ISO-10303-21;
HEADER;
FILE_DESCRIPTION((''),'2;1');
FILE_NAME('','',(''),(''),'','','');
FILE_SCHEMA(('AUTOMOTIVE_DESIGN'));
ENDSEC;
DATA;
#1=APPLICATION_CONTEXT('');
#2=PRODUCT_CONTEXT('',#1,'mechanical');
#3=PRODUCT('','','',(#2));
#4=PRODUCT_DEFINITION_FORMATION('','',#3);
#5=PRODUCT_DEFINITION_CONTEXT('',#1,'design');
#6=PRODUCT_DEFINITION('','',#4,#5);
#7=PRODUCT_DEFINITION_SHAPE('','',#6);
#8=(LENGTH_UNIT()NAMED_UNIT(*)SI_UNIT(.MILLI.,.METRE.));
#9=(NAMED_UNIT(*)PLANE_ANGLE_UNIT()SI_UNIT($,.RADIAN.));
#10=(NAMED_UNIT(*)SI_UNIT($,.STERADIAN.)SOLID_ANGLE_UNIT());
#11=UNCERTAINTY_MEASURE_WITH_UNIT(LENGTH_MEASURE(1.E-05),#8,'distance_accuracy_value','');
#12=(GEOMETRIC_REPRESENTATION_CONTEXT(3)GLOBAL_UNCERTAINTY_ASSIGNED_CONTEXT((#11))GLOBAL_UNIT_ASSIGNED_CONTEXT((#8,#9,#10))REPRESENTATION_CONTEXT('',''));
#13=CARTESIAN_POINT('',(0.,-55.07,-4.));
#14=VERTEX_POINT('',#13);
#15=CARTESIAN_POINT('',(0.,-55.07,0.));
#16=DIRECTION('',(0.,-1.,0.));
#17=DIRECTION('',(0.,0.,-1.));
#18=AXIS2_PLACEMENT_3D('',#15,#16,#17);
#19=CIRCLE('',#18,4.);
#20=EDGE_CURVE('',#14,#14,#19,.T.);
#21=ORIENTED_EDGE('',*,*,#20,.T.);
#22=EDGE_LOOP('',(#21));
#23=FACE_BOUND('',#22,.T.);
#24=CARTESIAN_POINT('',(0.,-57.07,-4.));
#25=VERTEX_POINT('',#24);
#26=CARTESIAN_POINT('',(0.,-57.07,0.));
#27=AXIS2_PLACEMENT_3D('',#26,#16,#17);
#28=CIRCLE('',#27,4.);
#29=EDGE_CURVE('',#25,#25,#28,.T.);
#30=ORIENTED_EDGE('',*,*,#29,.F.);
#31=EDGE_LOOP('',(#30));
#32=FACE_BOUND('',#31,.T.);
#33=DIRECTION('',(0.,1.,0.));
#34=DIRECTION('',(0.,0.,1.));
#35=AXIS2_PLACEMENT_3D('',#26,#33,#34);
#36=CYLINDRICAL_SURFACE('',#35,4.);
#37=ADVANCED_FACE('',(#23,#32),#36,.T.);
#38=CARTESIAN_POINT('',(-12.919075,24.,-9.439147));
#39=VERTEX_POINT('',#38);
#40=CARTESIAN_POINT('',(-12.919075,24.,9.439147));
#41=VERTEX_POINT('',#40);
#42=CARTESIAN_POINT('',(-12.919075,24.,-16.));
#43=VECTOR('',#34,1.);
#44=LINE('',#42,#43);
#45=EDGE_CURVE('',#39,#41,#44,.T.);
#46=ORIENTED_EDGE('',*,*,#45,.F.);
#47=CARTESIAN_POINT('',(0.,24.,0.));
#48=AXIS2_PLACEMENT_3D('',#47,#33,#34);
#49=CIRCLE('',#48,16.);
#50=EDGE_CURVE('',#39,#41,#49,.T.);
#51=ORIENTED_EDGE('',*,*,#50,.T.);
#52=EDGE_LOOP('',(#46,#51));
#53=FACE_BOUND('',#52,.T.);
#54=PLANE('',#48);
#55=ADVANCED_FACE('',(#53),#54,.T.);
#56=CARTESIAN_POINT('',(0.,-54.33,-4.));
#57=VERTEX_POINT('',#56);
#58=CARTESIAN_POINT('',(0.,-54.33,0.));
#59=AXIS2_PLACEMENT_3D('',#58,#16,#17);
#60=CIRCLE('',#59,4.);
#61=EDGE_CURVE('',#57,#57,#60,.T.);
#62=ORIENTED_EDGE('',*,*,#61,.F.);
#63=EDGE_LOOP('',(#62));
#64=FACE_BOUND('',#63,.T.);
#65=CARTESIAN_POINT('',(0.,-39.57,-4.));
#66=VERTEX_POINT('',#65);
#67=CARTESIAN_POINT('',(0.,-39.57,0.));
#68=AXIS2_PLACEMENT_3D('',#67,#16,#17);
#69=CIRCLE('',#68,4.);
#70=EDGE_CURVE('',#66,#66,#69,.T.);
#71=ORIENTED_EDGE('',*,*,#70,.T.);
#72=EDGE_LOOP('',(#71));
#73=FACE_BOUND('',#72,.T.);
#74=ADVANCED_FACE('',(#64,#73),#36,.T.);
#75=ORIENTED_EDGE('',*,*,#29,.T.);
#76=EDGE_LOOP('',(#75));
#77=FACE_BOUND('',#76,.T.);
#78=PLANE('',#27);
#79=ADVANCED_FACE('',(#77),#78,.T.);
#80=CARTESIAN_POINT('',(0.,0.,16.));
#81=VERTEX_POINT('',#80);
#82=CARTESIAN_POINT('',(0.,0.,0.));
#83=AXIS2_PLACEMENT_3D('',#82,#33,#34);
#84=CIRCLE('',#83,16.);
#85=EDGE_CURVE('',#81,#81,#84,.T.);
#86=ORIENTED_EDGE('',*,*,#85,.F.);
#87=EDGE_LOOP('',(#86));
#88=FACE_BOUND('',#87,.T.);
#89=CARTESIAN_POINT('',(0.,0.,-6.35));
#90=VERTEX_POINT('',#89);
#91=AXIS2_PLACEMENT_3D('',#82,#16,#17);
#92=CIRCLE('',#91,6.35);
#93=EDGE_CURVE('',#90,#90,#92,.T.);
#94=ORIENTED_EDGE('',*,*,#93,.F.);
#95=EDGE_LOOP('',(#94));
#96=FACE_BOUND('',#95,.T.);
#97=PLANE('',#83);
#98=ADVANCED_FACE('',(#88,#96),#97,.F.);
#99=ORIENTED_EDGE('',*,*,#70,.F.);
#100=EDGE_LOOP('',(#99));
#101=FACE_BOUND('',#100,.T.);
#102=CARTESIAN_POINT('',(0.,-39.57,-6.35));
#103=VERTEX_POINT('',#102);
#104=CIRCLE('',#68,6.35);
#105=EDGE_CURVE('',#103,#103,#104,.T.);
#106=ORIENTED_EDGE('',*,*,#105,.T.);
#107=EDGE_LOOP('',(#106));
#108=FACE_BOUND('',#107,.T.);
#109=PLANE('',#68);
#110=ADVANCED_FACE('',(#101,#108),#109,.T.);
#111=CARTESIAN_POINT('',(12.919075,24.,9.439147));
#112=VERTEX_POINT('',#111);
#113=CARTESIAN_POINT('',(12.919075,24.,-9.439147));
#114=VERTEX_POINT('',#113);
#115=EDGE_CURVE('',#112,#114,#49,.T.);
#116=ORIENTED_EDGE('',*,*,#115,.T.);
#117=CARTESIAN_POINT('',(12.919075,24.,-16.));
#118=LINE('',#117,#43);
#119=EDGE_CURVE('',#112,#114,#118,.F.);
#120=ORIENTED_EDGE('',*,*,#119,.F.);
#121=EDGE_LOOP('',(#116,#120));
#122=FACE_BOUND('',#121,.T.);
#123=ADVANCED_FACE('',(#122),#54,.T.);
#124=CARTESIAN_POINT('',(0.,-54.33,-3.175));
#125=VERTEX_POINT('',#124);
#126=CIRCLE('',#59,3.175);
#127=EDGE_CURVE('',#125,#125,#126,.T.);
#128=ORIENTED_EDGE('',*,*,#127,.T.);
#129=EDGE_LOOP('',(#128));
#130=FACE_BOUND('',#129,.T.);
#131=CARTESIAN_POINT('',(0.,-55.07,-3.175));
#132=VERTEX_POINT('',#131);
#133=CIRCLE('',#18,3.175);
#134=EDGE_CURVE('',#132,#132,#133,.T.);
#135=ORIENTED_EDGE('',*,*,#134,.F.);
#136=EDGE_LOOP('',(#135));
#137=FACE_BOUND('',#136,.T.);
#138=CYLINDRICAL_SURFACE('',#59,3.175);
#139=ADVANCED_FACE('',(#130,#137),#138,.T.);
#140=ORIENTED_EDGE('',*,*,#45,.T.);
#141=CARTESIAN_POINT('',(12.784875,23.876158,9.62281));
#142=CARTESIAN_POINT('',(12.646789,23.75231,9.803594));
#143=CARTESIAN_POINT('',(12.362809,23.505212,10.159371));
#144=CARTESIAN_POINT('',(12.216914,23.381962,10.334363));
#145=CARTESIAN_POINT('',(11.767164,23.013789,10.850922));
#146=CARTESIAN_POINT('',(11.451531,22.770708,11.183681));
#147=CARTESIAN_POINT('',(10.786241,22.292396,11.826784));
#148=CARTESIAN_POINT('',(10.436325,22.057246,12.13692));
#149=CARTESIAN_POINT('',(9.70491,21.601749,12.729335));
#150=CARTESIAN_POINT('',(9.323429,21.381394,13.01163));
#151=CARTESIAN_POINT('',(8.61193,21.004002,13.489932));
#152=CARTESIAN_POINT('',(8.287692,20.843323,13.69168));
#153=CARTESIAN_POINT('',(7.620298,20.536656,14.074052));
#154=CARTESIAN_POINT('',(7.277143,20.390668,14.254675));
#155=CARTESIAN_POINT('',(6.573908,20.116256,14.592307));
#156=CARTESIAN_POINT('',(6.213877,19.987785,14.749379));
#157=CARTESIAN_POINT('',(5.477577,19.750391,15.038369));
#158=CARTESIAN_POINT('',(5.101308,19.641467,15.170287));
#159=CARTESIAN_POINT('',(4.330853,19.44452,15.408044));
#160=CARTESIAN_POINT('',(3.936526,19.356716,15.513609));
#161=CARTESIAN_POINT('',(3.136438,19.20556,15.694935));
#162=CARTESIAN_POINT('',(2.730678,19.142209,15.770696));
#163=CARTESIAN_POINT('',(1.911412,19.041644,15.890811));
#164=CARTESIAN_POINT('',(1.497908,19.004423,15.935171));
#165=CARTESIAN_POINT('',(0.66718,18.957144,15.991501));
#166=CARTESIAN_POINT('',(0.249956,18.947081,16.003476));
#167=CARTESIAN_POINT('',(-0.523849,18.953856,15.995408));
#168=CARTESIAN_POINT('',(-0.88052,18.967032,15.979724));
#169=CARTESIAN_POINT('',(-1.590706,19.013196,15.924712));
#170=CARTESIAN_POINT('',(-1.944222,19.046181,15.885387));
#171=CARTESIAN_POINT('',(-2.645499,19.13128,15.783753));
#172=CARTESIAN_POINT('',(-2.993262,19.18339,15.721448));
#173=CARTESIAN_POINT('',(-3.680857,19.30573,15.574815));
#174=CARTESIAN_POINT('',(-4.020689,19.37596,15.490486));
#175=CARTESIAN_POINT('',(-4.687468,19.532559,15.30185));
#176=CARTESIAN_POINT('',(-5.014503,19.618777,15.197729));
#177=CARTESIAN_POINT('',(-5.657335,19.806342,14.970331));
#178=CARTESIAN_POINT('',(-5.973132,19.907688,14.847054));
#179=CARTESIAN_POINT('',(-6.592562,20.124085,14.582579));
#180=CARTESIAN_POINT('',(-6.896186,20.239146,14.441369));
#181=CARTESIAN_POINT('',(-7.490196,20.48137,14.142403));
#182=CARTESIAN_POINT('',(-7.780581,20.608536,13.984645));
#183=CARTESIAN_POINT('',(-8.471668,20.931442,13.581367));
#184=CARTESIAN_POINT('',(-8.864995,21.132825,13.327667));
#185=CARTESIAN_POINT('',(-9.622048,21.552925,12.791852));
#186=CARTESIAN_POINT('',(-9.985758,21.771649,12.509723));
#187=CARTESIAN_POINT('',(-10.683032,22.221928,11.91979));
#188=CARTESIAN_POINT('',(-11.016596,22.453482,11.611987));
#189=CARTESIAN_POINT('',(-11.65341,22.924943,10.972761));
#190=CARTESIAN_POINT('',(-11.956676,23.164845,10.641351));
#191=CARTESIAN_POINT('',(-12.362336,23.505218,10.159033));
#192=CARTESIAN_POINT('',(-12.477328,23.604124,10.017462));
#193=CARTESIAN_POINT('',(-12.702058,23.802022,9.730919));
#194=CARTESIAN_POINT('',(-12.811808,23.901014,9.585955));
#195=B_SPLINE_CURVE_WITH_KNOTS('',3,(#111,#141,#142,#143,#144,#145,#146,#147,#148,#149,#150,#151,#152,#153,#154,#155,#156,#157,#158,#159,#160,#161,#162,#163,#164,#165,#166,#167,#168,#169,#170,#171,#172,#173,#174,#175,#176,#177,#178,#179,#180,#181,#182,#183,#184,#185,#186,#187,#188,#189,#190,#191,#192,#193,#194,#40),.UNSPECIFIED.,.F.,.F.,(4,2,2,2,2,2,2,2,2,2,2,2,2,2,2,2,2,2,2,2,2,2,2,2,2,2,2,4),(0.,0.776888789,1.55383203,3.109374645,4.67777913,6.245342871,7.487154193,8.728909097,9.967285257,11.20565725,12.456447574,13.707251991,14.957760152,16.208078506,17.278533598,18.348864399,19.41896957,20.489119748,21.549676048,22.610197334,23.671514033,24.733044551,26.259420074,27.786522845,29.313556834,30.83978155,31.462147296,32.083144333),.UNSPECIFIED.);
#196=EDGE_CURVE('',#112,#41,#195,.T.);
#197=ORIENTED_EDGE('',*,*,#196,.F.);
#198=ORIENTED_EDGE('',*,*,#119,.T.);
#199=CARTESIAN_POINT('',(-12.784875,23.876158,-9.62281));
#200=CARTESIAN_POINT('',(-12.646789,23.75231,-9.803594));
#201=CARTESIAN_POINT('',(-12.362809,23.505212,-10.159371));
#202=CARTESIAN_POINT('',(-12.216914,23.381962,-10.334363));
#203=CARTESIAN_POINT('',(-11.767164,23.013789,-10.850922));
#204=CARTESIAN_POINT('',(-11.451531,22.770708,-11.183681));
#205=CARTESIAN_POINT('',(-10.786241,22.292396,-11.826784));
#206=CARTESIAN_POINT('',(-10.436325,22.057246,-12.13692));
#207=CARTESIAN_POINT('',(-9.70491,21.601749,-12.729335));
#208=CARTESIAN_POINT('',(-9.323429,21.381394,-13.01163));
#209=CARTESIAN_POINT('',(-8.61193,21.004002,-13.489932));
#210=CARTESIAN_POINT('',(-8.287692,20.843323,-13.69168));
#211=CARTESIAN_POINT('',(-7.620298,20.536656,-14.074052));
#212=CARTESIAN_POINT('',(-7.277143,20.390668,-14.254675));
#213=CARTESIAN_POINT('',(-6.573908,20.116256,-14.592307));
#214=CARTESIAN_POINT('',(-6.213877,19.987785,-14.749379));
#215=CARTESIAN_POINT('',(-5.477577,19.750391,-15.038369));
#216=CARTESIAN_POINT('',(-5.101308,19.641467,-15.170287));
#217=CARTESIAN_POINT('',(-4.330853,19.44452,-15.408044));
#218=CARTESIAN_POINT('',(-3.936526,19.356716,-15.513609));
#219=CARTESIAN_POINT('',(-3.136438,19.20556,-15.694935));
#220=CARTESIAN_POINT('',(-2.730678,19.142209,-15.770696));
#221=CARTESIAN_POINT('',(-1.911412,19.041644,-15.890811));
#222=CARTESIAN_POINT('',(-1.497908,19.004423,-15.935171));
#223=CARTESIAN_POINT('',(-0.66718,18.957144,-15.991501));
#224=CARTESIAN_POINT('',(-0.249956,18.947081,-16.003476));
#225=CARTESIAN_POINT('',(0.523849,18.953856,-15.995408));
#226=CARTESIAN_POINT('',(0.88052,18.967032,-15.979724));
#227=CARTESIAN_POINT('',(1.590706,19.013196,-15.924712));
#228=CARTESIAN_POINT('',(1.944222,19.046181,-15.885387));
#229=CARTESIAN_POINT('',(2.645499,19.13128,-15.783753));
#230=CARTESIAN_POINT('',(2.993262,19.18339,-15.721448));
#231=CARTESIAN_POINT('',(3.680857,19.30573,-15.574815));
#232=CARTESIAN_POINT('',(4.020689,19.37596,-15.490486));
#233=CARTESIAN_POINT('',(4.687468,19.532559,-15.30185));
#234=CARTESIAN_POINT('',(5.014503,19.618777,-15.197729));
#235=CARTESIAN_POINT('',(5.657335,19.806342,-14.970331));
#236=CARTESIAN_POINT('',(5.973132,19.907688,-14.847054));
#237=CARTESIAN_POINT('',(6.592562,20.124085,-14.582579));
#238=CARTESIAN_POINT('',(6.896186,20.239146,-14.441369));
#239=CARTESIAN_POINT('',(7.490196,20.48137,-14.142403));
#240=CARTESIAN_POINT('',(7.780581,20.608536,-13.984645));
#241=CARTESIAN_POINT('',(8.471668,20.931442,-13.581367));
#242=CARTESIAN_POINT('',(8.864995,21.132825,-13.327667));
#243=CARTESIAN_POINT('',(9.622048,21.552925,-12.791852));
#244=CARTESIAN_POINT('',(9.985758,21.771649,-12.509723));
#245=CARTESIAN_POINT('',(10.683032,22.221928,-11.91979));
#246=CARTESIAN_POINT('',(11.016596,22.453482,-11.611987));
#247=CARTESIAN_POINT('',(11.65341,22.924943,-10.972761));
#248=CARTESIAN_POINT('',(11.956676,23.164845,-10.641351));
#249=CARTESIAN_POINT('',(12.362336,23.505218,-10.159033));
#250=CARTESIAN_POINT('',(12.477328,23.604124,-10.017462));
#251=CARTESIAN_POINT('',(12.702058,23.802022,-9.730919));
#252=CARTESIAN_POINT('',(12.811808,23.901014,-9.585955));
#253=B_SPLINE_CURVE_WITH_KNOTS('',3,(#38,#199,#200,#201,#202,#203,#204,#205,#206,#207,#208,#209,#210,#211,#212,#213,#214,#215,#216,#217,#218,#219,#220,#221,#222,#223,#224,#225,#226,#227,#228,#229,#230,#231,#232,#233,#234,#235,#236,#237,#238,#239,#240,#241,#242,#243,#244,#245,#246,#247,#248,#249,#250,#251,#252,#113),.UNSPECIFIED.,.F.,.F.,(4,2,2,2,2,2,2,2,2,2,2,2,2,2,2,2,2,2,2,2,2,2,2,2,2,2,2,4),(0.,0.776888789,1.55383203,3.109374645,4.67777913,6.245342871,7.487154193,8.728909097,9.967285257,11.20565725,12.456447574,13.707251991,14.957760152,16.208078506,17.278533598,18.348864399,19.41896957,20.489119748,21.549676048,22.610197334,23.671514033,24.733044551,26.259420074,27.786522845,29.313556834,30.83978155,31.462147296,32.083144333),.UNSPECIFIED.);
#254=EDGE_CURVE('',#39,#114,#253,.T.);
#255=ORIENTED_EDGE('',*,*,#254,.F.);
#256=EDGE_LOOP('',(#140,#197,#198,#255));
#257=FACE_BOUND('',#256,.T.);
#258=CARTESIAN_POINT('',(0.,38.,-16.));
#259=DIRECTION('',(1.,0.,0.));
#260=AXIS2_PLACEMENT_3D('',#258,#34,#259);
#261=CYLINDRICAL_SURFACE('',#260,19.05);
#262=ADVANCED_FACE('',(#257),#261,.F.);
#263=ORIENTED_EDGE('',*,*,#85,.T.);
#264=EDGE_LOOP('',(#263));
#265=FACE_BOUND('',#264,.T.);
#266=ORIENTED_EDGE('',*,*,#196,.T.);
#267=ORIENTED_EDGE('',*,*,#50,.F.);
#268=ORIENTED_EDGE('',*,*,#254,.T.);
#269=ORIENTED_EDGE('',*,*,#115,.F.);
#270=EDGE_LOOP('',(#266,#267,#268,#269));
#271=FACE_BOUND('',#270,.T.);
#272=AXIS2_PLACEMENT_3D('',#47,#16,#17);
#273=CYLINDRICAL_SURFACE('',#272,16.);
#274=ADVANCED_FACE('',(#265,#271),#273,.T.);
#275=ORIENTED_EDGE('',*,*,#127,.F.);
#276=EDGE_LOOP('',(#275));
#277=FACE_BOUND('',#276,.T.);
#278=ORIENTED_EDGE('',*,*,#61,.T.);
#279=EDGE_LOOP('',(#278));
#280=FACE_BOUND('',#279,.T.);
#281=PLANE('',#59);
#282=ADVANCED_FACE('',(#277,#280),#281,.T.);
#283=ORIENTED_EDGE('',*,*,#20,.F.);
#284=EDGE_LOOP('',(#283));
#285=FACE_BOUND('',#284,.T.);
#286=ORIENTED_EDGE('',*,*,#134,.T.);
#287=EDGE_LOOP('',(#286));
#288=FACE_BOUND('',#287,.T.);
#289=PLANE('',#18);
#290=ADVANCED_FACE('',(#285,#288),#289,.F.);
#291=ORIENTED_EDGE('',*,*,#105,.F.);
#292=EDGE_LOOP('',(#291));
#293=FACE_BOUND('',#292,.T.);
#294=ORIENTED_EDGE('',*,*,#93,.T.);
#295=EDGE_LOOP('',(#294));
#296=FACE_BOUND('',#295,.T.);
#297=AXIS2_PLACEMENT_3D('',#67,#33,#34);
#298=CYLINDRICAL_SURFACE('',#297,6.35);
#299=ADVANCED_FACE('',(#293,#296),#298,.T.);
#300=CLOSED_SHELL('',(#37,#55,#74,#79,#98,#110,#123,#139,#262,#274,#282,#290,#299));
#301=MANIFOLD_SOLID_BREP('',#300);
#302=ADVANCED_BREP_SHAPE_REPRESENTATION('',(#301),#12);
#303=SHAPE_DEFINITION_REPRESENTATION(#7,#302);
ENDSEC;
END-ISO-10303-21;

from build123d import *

# Parameters (mm, degrees)
SKETCH1_R               = 16
BOSS_EXTRUDE1_DEPTH     = 24
SKETCH2_R               = 6.35
BOSS_EXTRUDE2_DEPTH     = 39.57
SKETCH3_R               = 4
BOSS_EXTRUDE3_DEPTH     = 17.5
CUT_EXTRUDE1_DEPTH      = 62.392058933
CUT_EXTRUDE1_DEPTH_BACK = 62.392058933
SKETCH4_R               = 19.05
CUT_EXTRUDE2_START      = -2
SKETCH5_R               = 4.571040919
SKETCH5_R_2             = 3.175
CUT_EXTRUDE2_DEPTH      = 0.74


with BuildPart() as part:
    # Sketch1 → Boss-Extrude1 (new body)
    with BuildSketch(Plane(origin=(0, 0, 0), x_dir=(1, 0, 0), z_dir=(0, 1, 0))):
        with Locations(Location((0, 0, 0), (0, 0, 270))):
            Circle(SKETCH1_R)
    extrude(amount=BOSS_EXTRUDE1_DEPTH)

    # Sketch2 → Boss-Extrude2 (add)
    with BuildSketch(Plane.XZ):
        with Locations(Location((0, 0, 0), (0, 0, 270))):
            Circle(SKETCH2_R)
    extrude(amount=BOSS_EXTRUDE2_DEPTH)

    # Sketch3 → Boss-Extrude3 (add)
    with BuildSketch(Plane.XZ.offset(39.57)):
        with Locations(Location((0, 0, 0), (0, 0, 270))):
            Circle(SKETCH3_R)
    extrude(amount=BOSS_EXTRUDE3_DEPTH)

    # Sketch4 → Cut-Extrude1 (cut, two sides: drawn at the far end of the back side and taken through both)
    with BuildSketch(Plane.XY.offset(-CUT_EXTRUDE1_DEPTH_BACK)):
        with Locations((0, 38)):
            Circle(SKETCH4_R)
    extrude(amount=CUT_EXTRUDE1_DEPTH + CUT_EXTRUDE1_DEPTH_BACK, mode=Mode.SUBTRACT)

    # Sketch5 → Cut-Extrude2 (cut)
    with BuildSketch(Plane.XZ.offset(57.07).offset(CUT_EXTRUDE2_START)):
        Circle(SKETCH5_R)
        with Locations(Location((0, 0, 0), (0, 0, 270))):
            Circle(SKETCH5_R_2, mode=Mode.SUBTRACT)
    extrude(amount=-CUT_EXTRUDE2_DEPTH, mode=Mode.SUBTRACT)


solid = part.part
